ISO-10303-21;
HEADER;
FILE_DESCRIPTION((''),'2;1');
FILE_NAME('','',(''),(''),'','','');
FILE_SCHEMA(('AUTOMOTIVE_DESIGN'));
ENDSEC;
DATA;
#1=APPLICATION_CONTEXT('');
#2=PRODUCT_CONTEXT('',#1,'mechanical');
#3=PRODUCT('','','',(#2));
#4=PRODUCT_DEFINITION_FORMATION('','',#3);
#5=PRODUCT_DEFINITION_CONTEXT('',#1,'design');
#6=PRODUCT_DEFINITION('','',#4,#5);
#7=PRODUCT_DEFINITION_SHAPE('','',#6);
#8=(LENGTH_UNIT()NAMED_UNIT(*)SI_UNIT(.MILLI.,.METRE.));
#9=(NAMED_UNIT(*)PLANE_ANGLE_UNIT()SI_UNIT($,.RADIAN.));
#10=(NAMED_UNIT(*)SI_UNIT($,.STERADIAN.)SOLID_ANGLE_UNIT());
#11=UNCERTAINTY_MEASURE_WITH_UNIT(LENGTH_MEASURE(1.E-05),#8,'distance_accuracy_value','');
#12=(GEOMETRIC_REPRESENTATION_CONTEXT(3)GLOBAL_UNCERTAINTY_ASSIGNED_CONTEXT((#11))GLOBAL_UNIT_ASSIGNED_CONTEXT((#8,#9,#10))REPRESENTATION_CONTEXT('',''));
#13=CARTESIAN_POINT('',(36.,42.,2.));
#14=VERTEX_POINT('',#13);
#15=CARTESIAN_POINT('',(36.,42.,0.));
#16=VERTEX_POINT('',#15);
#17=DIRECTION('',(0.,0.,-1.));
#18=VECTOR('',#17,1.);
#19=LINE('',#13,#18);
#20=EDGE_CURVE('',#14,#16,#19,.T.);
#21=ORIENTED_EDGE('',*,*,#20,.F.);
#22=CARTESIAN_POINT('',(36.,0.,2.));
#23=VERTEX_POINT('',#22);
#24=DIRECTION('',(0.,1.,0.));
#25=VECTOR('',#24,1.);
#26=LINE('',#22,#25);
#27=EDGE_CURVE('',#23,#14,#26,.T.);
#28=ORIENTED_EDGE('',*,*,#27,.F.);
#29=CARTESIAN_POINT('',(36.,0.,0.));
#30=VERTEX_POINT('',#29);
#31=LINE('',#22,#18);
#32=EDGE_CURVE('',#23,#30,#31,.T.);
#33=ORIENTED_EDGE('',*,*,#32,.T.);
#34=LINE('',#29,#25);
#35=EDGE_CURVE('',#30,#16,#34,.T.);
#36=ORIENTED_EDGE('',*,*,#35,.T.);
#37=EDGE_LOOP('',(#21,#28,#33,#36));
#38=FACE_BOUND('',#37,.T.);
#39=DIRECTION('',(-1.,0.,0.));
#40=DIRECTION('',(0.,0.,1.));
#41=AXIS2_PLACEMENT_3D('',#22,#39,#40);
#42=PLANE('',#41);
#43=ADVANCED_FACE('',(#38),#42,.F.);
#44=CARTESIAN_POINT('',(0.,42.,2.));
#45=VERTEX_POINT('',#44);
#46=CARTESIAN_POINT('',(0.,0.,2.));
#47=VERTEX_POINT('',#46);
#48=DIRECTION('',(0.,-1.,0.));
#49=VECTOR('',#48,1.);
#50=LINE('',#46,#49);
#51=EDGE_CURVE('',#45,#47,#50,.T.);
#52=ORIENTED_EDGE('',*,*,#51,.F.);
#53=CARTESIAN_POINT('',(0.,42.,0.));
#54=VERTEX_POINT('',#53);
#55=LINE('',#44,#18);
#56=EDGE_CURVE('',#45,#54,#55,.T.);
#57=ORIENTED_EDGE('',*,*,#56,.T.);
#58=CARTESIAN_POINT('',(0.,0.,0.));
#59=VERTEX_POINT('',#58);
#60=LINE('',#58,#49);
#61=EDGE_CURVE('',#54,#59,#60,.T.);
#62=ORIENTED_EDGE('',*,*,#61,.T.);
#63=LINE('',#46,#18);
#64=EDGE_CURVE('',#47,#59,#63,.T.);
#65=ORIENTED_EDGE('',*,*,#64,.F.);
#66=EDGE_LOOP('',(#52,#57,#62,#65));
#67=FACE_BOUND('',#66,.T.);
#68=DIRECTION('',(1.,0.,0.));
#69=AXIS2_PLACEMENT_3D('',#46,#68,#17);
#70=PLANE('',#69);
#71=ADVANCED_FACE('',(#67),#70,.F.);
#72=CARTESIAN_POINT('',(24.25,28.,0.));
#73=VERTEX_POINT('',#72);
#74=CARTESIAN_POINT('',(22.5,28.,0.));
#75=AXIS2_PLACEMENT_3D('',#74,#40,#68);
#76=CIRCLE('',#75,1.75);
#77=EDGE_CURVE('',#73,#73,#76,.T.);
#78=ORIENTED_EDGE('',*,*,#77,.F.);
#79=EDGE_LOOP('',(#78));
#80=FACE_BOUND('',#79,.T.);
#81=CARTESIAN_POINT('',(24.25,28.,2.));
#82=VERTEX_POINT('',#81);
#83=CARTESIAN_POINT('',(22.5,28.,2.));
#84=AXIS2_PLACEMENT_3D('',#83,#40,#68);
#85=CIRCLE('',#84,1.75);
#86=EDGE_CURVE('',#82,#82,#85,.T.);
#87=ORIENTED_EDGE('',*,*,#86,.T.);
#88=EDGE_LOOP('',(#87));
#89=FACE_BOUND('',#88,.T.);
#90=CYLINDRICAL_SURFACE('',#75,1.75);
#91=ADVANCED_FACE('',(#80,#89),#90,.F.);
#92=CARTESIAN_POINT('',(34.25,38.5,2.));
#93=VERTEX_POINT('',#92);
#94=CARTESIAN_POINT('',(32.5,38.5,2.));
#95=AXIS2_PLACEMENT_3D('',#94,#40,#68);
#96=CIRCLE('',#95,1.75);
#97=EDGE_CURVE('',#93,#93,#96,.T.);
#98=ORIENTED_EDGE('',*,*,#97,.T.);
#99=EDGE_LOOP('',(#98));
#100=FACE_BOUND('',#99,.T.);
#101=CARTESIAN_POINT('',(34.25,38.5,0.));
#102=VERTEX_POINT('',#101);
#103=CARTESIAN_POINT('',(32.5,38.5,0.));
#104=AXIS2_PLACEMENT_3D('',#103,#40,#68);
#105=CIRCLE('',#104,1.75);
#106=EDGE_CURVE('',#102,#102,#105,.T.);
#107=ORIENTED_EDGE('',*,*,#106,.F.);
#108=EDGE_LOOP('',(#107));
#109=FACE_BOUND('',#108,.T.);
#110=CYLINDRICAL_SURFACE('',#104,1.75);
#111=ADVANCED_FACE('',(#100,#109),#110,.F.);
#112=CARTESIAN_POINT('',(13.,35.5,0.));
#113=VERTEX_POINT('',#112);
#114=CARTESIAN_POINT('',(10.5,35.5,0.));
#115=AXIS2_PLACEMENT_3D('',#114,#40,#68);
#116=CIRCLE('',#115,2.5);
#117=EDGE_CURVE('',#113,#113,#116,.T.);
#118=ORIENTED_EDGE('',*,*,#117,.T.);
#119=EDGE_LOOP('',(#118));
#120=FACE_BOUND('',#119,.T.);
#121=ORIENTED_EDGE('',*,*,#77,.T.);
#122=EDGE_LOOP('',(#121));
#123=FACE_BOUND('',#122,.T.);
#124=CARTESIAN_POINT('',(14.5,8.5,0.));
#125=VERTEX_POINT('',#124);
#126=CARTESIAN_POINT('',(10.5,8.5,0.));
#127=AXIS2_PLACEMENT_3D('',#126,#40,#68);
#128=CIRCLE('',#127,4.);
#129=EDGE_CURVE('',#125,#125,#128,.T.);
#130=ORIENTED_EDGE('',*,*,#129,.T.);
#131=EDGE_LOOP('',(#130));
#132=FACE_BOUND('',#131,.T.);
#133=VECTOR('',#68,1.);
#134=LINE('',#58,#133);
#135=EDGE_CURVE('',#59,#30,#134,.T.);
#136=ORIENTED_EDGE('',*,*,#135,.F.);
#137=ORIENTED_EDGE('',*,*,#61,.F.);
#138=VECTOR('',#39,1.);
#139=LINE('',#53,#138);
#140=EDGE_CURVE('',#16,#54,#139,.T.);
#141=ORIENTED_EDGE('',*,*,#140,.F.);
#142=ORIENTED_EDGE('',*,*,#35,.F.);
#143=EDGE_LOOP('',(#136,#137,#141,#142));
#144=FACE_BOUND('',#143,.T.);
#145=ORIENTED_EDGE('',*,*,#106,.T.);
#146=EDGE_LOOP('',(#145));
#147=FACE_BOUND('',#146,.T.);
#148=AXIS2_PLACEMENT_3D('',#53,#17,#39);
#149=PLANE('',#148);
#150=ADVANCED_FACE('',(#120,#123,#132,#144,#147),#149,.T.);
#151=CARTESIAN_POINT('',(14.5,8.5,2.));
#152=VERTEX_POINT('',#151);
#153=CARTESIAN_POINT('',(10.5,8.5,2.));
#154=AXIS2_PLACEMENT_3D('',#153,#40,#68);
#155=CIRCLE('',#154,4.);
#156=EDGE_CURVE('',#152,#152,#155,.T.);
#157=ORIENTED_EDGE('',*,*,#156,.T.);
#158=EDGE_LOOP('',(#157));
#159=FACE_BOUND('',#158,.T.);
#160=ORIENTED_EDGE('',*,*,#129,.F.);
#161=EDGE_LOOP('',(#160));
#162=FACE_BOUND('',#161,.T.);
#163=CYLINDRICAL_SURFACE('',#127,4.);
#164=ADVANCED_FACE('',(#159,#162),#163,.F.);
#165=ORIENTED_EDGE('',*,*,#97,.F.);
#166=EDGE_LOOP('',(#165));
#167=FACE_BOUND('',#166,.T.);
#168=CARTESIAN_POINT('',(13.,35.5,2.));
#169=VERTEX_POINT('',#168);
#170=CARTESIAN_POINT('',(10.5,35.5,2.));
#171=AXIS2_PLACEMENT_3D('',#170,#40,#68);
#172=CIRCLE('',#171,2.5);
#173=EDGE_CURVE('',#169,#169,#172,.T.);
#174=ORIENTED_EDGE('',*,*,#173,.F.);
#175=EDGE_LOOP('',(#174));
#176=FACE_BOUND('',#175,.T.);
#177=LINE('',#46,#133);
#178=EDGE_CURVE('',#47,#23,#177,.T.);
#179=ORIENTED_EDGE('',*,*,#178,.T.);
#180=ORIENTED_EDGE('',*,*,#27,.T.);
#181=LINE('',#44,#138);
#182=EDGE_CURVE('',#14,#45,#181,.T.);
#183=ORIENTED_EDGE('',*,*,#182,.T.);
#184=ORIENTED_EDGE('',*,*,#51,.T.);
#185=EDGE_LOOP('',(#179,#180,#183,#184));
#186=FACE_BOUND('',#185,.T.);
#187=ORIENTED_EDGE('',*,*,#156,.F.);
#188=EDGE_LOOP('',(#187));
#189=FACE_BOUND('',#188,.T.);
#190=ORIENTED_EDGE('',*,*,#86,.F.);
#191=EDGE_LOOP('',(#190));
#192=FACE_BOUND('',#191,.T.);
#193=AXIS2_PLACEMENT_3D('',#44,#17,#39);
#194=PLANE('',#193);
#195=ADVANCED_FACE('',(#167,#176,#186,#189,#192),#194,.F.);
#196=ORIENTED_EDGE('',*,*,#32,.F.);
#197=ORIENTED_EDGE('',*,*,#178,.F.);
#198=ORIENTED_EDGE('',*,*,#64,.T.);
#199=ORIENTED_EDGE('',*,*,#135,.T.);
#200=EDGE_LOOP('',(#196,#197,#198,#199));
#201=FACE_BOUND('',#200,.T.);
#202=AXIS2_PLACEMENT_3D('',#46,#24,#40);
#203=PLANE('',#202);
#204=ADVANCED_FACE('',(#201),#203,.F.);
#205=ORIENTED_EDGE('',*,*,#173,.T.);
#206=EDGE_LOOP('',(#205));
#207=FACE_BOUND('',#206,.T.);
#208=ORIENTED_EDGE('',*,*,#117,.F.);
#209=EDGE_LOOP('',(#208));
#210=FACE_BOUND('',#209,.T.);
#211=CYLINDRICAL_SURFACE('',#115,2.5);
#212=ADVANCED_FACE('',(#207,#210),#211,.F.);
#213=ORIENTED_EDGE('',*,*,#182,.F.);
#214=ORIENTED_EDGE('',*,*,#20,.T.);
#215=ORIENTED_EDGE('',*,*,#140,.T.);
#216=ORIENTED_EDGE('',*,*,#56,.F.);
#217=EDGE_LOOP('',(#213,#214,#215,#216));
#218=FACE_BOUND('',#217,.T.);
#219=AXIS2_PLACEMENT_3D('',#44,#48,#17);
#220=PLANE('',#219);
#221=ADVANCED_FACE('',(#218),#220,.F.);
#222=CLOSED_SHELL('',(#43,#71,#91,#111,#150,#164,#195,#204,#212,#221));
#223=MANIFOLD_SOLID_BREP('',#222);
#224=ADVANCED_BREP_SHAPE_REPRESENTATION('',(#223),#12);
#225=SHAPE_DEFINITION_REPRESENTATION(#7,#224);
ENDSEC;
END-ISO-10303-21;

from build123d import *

# Parameters (mm, degrees)
SKETCH_1_W          = 36
SKETCH_1_H          = 42
EXTRUDE_1_DEPTH     = 2
SKETCH_2_R          = 1.75
SKETCH_2_R_2        = 2.5
CUT_EXTRUDE_1_DEPTH = 56.353410012
SKETCH_3_R          = 4
CUT_EXTRUDE_2_DEPTH = 56.353410012


with BuildPart() as part:
    # 草图1 → 凸台-拉伸1 (new body)
    with BuildSketch(Plane.XY):
        with Locations((18, 21)):
            Rectangle(SKETCH_1_W, SKETCH_1_H)
    extrude(amount=EXTRUDE_1_DEPTH)

    # 草图2 → 切除-拉伸1 (cut, through all)
    with BuildSketch(Plane.XY.offset(2)):
        with Locations((32.5, 38.5)):
            Circle(SKETCH_2_R)
        with Locations((22.5, 28)):
            Circle(SKETCH_2_R)
        with Locations((10.5, 35.5)):
            Circle(SKETCH_2_R_2)
    extrude(amount=-CUT_EXTRUDE_1_DEPTH, mode=Mode.SUBTRACT)

    # 草图3 → 切除-拉伸2 (cut, through all)
    with BuildSketch(Plane.XY.offset(2)):
        with Locations((10.5, 8.5)):
            Circle(SKETCH_3_R)
    extrude(amount=-CUT_EXTRUDE_2_DEPTH, mode=Mode.SUBTRACT)


solid = part.part
